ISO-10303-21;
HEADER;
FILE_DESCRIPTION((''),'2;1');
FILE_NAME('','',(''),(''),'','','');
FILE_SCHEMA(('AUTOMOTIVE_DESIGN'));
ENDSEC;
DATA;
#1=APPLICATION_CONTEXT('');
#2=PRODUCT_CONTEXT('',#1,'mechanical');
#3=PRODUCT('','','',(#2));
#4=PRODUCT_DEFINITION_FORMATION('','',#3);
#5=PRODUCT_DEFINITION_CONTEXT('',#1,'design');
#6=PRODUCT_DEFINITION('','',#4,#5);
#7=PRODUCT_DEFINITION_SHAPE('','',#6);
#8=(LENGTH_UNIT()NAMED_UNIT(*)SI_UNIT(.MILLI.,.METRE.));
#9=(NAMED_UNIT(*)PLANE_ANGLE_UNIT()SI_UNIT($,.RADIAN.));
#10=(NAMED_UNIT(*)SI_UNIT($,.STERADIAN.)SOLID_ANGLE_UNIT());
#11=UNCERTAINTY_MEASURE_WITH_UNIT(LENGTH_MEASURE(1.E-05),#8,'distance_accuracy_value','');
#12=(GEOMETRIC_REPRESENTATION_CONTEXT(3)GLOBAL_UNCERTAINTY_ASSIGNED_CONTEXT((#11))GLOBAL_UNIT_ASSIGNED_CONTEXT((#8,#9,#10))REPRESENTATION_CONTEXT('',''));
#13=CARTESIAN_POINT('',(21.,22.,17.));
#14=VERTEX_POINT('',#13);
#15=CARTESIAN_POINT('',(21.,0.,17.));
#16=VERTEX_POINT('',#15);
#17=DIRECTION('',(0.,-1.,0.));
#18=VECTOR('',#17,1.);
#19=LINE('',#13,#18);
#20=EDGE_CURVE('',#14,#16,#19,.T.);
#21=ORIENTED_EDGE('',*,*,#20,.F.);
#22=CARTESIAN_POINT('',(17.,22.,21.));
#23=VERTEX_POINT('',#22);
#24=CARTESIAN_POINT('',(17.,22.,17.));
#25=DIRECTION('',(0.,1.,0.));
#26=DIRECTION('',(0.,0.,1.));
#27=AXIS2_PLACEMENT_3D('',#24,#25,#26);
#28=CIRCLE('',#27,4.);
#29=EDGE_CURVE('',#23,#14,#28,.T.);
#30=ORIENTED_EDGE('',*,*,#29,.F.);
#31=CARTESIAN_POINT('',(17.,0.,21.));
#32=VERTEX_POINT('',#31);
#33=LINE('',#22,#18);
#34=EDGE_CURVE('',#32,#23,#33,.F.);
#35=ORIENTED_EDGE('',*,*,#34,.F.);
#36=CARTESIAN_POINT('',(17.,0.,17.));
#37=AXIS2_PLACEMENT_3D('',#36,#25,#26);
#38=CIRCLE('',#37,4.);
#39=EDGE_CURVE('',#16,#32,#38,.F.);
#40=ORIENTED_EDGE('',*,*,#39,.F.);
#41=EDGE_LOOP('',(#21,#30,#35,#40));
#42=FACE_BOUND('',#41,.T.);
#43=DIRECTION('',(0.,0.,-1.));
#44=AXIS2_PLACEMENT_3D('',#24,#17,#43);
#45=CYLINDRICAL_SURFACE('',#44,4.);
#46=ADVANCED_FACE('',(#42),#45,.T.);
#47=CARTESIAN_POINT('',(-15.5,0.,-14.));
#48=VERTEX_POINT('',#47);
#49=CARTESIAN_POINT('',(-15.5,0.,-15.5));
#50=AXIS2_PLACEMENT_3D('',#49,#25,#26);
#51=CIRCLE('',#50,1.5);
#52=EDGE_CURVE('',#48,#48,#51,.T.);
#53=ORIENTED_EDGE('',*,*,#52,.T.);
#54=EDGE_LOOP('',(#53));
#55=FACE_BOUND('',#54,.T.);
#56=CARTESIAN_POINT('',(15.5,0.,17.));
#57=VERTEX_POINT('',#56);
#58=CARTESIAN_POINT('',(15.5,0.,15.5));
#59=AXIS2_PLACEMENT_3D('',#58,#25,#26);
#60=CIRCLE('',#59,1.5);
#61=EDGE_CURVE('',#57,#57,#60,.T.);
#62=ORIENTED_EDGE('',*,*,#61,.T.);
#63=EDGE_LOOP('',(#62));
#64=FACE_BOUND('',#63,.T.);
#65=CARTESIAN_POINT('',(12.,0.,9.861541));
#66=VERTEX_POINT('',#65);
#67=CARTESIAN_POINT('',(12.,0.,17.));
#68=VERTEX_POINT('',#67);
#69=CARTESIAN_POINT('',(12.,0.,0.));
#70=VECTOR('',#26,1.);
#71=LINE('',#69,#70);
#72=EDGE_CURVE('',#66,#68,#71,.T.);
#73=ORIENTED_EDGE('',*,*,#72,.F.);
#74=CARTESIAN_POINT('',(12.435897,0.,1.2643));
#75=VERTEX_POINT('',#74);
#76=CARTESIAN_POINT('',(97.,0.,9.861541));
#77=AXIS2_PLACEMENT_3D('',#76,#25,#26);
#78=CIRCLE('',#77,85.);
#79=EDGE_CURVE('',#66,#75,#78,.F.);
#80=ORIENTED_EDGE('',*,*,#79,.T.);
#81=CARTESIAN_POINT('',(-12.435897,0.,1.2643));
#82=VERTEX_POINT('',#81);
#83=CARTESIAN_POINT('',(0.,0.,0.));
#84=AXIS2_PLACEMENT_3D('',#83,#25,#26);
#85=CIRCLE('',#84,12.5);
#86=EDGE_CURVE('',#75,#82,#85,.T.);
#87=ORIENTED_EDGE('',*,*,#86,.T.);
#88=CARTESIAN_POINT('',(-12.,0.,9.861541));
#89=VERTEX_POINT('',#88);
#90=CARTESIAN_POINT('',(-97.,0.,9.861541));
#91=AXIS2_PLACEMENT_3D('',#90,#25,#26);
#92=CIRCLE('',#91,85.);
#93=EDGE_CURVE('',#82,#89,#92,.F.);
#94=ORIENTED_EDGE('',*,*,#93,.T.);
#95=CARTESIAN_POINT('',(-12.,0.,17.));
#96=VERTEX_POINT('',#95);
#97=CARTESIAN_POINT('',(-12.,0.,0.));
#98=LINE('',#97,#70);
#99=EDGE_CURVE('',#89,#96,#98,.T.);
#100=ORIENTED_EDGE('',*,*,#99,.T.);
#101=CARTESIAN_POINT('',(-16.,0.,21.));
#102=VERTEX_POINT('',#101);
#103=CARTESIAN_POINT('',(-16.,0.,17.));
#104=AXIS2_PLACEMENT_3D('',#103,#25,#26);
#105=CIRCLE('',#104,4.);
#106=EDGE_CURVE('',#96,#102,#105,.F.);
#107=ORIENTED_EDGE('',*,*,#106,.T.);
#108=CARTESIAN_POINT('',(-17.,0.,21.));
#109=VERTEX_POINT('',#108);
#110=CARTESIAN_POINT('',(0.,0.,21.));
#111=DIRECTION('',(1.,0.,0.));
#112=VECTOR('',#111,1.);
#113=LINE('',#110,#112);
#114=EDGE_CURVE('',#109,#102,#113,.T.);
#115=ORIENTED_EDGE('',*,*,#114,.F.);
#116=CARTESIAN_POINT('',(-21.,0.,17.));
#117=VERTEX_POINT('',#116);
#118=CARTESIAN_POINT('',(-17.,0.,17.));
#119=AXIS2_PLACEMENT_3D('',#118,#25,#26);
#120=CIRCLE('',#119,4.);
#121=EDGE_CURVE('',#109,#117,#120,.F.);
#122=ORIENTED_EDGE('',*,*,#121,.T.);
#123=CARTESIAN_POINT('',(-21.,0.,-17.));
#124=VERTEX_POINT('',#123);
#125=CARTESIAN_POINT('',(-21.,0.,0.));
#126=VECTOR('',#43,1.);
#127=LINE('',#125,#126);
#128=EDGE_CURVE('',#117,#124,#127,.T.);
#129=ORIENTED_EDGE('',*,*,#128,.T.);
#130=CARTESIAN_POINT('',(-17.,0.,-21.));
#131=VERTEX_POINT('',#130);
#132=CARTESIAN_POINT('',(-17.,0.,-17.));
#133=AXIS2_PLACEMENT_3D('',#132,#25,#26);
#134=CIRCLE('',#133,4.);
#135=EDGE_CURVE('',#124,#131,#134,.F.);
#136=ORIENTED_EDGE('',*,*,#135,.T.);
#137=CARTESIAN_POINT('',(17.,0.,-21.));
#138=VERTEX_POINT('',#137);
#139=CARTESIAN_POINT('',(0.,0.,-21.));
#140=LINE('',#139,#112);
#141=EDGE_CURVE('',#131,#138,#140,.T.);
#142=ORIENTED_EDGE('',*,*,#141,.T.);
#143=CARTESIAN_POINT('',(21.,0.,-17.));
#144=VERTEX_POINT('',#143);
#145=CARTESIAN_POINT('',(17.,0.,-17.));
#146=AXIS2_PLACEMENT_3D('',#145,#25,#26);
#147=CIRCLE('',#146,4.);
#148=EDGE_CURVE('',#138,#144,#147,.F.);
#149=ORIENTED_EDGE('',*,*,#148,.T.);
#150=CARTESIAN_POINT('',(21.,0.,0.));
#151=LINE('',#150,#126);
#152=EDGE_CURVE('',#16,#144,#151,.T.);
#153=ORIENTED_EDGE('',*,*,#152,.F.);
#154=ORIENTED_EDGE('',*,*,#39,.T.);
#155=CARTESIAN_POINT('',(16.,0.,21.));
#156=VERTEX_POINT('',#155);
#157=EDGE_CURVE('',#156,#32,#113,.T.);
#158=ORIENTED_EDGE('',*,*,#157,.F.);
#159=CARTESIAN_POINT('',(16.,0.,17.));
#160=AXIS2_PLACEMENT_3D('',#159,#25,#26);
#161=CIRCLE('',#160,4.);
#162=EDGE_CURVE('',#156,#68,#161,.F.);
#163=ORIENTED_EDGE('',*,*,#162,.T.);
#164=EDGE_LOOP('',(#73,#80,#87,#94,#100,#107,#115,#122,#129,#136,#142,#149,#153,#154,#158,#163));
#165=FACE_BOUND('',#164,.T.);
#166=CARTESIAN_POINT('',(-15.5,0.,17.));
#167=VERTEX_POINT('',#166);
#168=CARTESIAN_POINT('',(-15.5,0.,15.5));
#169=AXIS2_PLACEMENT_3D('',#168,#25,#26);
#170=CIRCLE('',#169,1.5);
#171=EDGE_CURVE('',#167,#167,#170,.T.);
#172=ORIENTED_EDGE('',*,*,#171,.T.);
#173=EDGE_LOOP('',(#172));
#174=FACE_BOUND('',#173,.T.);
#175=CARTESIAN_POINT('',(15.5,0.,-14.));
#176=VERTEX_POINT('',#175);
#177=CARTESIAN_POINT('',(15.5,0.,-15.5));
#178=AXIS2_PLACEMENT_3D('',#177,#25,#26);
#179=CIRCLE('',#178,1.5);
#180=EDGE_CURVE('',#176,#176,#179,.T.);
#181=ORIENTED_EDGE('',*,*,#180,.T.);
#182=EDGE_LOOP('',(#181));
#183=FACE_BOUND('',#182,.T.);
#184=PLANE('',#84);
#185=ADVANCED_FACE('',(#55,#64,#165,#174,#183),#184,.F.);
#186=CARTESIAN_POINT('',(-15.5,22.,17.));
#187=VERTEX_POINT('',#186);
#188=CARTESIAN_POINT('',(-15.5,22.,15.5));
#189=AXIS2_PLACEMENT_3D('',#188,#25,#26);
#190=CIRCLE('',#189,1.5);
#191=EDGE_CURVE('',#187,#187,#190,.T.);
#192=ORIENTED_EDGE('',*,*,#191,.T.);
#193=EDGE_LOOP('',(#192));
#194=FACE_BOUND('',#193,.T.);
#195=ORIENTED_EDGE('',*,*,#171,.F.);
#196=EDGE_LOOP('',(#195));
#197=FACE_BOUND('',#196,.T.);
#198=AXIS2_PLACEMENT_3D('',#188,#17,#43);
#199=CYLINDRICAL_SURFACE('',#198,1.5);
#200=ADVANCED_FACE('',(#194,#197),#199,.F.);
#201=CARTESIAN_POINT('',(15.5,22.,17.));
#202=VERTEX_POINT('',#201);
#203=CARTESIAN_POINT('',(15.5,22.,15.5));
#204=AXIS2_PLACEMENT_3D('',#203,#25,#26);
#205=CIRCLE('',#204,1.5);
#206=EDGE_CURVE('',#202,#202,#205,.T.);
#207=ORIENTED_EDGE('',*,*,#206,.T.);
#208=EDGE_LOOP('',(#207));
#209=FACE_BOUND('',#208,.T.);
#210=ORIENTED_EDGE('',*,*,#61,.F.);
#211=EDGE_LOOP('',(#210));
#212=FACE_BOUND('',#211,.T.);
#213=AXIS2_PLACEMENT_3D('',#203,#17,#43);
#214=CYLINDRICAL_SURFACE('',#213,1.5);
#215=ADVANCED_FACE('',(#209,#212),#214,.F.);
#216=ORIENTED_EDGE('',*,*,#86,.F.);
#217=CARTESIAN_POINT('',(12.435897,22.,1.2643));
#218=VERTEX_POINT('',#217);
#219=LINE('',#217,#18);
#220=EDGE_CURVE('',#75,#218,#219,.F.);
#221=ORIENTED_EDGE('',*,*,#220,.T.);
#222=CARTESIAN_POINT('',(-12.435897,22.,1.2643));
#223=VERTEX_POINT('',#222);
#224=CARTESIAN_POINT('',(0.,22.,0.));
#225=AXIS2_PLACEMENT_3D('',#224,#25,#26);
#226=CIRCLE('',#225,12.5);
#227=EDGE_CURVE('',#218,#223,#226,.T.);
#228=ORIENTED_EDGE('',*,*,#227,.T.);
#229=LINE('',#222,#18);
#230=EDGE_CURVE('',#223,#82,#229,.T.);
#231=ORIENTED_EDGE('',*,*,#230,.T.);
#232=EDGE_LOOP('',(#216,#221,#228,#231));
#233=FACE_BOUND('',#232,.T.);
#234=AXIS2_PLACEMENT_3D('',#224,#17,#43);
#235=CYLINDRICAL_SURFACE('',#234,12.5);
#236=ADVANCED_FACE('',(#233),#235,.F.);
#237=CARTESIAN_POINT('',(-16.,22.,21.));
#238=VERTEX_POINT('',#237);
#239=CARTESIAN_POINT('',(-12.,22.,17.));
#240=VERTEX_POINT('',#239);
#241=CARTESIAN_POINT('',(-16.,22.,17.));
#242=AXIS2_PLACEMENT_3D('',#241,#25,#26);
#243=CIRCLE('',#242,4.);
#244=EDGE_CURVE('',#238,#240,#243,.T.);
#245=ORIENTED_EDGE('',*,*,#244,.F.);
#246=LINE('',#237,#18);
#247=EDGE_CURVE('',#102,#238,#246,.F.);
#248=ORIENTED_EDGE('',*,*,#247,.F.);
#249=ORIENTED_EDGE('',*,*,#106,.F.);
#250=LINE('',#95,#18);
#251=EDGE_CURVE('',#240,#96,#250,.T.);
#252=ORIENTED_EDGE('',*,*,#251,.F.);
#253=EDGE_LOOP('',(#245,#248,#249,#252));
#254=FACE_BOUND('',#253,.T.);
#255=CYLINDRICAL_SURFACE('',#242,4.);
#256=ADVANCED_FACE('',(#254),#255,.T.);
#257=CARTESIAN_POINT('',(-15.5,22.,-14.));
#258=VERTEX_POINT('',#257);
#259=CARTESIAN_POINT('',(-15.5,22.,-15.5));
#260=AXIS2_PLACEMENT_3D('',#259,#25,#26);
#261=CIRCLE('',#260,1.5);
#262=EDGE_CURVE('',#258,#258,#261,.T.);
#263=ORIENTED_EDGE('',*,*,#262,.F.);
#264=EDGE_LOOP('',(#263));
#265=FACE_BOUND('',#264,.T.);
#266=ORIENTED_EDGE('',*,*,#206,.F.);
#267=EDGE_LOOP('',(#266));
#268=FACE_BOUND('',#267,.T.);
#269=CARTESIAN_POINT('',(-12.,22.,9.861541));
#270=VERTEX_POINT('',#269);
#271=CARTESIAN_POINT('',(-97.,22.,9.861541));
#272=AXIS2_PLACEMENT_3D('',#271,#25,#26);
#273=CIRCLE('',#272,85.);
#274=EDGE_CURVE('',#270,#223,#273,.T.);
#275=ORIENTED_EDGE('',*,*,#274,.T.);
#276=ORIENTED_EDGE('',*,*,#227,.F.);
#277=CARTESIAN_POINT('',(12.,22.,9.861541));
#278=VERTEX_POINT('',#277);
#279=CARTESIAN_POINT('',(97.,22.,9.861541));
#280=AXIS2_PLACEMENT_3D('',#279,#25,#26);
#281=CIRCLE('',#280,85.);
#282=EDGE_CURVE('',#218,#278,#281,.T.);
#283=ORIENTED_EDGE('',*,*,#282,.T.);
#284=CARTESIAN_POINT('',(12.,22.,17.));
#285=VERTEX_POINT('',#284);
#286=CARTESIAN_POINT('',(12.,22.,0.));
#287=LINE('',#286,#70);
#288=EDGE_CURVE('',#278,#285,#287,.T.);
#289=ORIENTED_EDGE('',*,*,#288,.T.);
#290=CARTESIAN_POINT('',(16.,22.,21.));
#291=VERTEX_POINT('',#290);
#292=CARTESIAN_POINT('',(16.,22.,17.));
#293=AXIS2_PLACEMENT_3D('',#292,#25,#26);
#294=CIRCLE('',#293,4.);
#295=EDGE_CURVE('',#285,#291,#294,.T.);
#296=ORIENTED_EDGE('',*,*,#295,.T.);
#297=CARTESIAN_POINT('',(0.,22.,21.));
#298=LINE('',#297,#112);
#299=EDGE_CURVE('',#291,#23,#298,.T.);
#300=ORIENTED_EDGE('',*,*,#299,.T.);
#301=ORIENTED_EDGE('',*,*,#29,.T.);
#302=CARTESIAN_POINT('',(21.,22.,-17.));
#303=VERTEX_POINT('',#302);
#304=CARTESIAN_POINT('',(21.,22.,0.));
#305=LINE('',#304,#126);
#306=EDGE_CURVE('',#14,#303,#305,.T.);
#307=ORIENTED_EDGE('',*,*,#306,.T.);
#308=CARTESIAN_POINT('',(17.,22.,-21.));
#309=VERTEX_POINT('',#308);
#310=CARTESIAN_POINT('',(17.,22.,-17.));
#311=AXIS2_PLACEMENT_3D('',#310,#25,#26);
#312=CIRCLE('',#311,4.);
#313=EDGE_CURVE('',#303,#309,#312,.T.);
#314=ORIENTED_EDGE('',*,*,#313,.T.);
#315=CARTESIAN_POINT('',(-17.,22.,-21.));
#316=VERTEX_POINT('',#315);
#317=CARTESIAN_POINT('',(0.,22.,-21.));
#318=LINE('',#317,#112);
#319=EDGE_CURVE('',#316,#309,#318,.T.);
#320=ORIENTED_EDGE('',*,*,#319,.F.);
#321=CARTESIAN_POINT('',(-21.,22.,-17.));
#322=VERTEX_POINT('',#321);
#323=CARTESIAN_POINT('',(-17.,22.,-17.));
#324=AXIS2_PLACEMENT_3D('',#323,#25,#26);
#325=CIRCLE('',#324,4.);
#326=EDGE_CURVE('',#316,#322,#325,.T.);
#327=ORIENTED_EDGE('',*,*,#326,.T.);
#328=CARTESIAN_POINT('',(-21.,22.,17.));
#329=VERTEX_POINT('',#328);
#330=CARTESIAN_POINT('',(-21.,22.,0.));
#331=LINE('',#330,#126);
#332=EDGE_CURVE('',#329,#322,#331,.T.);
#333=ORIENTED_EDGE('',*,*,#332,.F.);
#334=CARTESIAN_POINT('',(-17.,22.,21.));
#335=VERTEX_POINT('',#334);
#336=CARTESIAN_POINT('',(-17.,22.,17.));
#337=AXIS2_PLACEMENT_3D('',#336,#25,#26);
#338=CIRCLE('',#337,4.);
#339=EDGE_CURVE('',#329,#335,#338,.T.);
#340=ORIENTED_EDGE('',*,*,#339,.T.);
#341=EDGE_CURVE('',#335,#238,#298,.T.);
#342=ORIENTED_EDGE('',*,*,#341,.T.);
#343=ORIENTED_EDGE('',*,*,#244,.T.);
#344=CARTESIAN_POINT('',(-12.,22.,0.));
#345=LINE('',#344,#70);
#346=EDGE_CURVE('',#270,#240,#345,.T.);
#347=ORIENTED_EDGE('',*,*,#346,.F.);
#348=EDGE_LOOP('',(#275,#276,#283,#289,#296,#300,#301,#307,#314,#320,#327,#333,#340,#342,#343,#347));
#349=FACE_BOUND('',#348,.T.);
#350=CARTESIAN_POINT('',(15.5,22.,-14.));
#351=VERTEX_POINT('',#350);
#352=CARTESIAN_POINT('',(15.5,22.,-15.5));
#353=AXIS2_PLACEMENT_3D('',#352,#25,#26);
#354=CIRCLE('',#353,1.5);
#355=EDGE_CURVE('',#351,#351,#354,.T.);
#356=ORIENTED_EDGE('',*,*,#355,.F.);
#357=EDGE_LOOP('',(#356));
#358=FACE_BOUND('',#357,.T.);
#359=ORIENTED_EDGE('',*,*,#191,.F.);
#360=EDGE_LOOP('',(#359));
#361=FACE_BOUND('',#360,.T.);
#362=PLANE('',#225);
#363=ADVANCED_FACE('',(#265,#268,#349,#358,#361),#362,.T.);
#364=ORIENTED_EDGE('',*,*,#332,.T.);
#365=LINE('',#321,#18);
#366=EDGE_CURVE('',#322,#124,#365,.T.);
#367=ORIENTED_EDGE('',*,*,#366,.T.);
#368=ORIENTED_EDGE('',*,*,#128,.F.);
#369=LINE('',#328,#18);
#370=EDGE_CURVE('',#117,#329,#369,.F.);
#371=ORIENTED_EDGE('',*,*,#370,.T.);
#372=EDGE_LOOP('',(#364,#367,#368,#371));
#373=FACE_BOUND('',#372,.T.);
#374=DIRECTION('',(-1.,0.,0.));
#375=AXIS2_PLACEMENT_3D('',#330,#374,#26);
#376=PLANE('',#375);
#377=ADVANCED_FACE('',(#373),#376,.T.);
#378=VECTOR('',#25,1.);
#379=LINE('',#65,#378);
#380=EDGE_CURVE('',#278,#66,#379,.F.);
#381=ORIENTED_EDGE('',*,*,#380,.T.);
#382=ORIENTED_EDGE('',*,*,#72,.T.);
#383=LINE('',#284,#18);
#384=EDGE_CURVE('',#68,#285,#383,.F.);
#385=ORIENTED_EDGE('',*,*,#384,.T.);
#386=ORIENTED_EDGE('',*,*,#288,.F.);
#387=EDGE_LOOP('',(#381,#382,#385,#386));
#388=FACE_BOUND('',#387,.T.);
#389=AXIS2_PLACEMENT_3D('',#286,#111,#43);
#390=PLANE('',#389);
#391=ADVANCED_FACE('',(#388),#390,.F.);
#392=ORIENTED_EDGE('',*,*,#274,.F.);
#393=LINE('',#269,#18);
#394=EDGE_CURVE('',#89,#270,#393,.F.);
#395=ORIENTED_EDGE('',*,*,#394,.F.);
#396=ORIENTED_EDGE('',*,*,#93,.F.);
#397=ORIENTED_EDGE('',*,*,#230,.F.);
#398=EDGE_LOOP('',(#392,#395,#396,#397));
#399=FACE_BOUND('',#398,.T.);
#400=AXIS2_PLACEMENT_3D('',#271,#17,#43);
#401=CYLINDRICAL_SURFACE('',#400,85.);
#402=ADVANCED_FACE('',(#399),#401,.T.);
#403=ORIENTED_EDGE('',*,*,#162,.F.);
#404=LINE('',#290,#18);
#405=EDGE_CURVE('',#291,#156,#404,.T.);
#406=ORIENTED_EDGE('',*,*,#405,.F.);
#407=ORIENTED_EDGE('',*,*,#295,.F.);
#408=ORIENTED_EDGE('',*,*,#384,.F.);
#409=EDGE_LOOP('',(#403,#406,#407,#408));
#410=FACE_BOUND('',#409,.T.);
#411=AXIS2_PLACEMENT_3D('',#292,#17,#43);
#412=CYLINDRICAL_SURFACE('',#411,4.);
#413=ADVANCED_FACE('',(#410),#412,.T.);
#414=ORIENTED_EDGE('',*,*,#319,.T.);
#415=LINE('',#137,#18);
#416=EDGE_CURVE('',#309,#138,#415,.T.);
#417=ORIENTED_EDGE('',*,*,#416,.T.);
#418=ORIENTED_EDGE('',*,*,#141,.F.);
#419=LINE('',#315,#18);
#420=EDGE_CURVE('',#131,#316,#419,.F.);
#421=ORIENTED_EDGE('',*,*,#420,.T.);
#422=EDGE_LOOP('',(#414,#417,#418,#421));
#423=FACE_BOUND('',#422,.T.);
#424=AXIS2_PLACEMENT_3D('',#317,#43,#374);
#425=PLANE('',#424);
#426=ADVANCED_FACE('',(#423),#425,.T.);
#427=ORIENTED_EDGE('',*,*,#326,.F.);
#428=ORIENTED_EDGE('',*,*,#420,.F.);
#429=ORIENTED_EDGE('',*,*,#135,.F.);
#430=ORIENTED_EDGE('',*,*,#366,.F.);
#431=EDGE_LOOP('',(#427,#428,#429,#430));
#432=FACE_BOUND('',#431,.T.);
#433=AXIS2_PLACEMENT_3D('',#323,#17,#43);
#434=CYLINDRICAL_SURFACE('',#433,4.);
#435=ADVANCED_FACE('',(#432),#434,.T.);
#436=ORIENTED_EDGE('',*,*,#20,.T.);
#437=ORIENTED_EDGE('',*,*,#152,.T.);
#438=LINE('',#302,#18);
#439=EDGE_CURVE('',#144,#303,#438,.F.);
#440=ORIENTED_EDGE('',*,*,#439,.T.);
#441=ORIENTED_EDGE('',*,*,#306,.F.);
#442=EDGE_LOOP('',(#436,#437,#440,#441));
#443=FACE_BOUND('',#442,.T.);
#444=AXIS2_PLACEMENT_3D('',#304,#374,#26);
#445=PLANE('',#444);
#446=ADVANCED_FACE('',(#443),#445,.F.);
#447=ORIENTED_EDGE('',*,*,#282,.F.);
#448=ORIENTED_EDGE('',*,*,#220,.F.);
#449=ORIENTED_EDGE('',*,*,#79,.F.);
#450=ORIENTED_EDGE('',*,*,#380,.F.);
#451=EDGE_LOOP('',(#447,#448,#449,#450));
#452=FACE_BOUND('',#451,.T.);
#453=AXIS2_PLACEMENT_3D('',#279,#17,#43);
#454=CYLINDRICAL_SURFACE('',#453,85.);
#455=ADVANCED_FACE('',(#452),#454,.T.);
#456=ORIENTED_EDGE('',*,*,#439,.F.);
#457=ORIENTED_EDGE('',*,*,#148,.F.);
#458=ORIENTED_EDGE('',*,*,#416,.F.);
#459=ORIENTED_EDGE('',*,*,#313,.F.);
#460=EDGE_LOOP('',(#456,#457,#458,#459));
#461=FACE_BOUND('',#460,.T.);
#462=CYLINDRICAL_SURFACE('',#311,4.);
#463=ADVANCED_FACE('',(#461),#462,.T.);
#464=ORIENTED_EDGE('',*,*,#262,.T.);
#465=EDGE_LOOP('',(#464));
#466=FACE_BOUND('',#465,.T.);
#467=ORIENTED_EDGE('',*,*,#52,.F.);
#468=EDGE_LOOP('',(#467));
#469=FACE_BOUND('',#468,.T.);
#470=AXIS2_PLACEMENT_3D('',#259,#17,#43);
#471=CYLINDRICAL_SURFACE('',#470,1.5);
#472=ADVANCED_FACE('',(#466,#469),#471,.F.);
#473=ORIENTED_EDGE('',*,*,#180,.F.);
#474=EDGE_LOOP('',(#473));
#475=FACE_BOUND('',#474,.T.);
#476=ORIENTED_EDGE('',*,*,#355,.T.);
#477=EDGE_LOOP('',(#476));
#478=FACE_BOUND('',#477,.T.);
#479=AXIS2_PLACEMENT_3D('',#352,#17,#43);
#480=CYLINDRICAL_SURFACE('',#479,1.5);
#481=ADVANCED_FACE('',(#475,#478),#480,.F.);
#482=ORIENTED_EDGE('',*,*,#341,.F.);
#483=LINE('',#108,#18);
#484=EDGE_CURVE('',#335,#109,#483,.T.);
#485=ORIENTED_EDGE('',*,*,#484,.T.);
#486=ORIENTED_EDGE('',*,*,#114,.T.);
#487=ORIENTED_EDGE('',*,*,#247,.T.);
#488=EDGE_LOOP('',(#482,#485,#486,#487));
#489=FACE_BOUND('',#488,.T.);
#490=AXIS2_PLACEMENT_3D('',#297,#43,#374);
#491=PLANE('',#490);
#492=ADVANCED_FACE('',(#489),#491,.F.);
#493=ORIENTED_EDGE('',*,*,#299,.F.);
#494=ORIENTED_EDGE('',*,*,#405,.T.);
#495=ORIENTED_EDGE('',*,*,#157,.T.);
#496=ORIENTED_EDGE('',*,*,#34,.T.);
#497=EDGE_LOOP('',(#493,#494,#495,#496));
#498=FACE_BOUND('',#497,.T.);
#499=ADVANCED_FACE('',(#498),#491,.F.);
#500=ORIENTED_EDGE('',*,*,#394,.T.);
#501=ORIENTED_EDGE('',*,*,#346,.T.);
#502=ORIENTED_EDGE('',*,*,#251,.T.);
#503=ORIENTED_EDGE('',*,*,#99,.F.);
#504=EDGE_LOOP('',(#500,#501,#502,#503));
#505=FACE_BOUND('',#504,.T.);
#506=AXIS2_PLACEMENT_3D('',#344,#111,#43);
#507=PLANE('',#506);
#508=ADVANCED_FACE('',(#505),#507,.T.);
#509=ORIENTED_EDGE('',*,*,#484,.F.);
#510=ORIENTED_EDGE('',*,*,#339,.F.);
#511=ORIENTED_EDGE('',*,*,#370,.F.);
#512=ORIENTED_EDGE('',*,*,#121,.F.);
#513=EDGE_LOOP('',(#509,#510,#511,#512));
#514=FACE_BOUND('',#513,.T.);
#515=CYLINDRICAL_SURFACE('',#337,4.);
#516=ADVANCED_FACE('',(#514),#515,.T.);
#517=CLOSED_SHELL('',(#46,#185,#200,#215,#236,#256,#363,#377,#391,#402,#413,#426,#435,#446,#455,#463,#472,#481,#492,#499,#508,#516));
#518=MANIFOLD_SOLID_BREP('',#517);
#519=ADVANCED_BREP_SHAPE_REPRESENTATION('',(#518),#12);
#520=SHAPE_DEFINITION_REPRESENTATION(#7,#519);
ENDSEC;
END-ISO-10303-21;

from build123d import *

# Parameters (mm, degrees)
BOSS_EXTRUDE1_DEPTH = 22
FILLET1_R           = 85
FILLET2_R           = 4


with BuildPart() as part:
    # Sketch1 → Boss-Extrude1 (new body)
    with BuildSketch(Plane(origin=(0, 0, 0), x_dir=(1, 0, 0), z_dir=(0, 1, 0))):
        with BuildLine():
            Line((-12, -21), (-12, -15.5))
            Line((-12, -15.5), (-14, -15.5))
            ThreePointArc((-14, -15.5), (-16.560660172, -16.560660172), (-15.5, -14))
            Line((-15.5, -14), (-15.5, 14))
            ThreePointArc((-15.5, 14), (-16.560660172, 16.560660172), (-14, 15.5))
            Line((-14, 15.5), (14, 15.5))
            ThreePointArc((14, 15.5), (15.5, 17), (17, 15.5))
            ThreePointArc((17, 15.5), (16.560660172, 14.439339828), (15.5, 14))
            Line((15.5, 14), (15.5, -14))
            ThreePointArc((15.5, -14), (16.560660172, -14.439339828), (17, -15.5))
            ThreePointArc((17, -15.5), (15.5, -17), (14, -15.5))
            Line((14, -15.5), (12, -15.5))
            Line((12, -15.5), (12, -21))
            Line((12, -21), (21, -21))
            Line((21, -21), (21, 21))
            Line((21, 21), (-21, 21))
            Line((-21, 21), (-21, -21))
            Line((-21, -21), (-12, -21))
        make_face()
        with BuildLine():
            Line((-12, -15.5), (-12, -3.5))
            ThreePointArc((-12, -3.5), (-1.767766953, 12.374368671), (12.5, 0))
            ThreePointArc((12.5, 0), (12.374368671, -1.767766953), (12, -3.5))
            Line((12, -3.5), (12, -15.5))
            Line((12, -15.5), (14, -15.5))
            ThreePointArc((14, -15.5), (14.439339828, -14.439339828), (15.5, -14))
            Line((15.5, -14), (15.5, 14))
            ThreePointArc((15.5, 14), (14.439339828, 14.439339828), (14, 15.5))
            Line((14, 15.5), (-14, 15.5))
            ThreePointArc((-14, 15.5), (-14.439339828, 14.439339828), (-15.5, 14))
            Line((-15.5, 14), (-15.5, -14))
            ThreePointArc((-15.5, -14), (-14.439339828, -14.439339828), (-14, -15.5))
            Line((-14, -15.5), (-12, -15.5))
        make_face()
    extrude(amount=BOSS_EXTRUDE1_DEPTH)

    # Fillet1
    fillet1_edges = [part.edges().sort_by_distance(p)[0] for p in [
        (-12, 11, 3.5),
        (12, 11, 3.5),
    ]]
    fillet(fillet1_edges, radius=FILLET1_R)

    # Fillet2
    fillet2_edges = [part.edges().sort_by_distance(p)[0] for p in [
        (-12, 11, 21),
        (-21, 11, 21),
        (-21, 11, -21),
        (21, 11, -21),
        (21, 11, 21),
        (12, 11, 21),
    ]]
    fillet(fillet2_edges, radius=FILLET2_R)


solid = part.part
